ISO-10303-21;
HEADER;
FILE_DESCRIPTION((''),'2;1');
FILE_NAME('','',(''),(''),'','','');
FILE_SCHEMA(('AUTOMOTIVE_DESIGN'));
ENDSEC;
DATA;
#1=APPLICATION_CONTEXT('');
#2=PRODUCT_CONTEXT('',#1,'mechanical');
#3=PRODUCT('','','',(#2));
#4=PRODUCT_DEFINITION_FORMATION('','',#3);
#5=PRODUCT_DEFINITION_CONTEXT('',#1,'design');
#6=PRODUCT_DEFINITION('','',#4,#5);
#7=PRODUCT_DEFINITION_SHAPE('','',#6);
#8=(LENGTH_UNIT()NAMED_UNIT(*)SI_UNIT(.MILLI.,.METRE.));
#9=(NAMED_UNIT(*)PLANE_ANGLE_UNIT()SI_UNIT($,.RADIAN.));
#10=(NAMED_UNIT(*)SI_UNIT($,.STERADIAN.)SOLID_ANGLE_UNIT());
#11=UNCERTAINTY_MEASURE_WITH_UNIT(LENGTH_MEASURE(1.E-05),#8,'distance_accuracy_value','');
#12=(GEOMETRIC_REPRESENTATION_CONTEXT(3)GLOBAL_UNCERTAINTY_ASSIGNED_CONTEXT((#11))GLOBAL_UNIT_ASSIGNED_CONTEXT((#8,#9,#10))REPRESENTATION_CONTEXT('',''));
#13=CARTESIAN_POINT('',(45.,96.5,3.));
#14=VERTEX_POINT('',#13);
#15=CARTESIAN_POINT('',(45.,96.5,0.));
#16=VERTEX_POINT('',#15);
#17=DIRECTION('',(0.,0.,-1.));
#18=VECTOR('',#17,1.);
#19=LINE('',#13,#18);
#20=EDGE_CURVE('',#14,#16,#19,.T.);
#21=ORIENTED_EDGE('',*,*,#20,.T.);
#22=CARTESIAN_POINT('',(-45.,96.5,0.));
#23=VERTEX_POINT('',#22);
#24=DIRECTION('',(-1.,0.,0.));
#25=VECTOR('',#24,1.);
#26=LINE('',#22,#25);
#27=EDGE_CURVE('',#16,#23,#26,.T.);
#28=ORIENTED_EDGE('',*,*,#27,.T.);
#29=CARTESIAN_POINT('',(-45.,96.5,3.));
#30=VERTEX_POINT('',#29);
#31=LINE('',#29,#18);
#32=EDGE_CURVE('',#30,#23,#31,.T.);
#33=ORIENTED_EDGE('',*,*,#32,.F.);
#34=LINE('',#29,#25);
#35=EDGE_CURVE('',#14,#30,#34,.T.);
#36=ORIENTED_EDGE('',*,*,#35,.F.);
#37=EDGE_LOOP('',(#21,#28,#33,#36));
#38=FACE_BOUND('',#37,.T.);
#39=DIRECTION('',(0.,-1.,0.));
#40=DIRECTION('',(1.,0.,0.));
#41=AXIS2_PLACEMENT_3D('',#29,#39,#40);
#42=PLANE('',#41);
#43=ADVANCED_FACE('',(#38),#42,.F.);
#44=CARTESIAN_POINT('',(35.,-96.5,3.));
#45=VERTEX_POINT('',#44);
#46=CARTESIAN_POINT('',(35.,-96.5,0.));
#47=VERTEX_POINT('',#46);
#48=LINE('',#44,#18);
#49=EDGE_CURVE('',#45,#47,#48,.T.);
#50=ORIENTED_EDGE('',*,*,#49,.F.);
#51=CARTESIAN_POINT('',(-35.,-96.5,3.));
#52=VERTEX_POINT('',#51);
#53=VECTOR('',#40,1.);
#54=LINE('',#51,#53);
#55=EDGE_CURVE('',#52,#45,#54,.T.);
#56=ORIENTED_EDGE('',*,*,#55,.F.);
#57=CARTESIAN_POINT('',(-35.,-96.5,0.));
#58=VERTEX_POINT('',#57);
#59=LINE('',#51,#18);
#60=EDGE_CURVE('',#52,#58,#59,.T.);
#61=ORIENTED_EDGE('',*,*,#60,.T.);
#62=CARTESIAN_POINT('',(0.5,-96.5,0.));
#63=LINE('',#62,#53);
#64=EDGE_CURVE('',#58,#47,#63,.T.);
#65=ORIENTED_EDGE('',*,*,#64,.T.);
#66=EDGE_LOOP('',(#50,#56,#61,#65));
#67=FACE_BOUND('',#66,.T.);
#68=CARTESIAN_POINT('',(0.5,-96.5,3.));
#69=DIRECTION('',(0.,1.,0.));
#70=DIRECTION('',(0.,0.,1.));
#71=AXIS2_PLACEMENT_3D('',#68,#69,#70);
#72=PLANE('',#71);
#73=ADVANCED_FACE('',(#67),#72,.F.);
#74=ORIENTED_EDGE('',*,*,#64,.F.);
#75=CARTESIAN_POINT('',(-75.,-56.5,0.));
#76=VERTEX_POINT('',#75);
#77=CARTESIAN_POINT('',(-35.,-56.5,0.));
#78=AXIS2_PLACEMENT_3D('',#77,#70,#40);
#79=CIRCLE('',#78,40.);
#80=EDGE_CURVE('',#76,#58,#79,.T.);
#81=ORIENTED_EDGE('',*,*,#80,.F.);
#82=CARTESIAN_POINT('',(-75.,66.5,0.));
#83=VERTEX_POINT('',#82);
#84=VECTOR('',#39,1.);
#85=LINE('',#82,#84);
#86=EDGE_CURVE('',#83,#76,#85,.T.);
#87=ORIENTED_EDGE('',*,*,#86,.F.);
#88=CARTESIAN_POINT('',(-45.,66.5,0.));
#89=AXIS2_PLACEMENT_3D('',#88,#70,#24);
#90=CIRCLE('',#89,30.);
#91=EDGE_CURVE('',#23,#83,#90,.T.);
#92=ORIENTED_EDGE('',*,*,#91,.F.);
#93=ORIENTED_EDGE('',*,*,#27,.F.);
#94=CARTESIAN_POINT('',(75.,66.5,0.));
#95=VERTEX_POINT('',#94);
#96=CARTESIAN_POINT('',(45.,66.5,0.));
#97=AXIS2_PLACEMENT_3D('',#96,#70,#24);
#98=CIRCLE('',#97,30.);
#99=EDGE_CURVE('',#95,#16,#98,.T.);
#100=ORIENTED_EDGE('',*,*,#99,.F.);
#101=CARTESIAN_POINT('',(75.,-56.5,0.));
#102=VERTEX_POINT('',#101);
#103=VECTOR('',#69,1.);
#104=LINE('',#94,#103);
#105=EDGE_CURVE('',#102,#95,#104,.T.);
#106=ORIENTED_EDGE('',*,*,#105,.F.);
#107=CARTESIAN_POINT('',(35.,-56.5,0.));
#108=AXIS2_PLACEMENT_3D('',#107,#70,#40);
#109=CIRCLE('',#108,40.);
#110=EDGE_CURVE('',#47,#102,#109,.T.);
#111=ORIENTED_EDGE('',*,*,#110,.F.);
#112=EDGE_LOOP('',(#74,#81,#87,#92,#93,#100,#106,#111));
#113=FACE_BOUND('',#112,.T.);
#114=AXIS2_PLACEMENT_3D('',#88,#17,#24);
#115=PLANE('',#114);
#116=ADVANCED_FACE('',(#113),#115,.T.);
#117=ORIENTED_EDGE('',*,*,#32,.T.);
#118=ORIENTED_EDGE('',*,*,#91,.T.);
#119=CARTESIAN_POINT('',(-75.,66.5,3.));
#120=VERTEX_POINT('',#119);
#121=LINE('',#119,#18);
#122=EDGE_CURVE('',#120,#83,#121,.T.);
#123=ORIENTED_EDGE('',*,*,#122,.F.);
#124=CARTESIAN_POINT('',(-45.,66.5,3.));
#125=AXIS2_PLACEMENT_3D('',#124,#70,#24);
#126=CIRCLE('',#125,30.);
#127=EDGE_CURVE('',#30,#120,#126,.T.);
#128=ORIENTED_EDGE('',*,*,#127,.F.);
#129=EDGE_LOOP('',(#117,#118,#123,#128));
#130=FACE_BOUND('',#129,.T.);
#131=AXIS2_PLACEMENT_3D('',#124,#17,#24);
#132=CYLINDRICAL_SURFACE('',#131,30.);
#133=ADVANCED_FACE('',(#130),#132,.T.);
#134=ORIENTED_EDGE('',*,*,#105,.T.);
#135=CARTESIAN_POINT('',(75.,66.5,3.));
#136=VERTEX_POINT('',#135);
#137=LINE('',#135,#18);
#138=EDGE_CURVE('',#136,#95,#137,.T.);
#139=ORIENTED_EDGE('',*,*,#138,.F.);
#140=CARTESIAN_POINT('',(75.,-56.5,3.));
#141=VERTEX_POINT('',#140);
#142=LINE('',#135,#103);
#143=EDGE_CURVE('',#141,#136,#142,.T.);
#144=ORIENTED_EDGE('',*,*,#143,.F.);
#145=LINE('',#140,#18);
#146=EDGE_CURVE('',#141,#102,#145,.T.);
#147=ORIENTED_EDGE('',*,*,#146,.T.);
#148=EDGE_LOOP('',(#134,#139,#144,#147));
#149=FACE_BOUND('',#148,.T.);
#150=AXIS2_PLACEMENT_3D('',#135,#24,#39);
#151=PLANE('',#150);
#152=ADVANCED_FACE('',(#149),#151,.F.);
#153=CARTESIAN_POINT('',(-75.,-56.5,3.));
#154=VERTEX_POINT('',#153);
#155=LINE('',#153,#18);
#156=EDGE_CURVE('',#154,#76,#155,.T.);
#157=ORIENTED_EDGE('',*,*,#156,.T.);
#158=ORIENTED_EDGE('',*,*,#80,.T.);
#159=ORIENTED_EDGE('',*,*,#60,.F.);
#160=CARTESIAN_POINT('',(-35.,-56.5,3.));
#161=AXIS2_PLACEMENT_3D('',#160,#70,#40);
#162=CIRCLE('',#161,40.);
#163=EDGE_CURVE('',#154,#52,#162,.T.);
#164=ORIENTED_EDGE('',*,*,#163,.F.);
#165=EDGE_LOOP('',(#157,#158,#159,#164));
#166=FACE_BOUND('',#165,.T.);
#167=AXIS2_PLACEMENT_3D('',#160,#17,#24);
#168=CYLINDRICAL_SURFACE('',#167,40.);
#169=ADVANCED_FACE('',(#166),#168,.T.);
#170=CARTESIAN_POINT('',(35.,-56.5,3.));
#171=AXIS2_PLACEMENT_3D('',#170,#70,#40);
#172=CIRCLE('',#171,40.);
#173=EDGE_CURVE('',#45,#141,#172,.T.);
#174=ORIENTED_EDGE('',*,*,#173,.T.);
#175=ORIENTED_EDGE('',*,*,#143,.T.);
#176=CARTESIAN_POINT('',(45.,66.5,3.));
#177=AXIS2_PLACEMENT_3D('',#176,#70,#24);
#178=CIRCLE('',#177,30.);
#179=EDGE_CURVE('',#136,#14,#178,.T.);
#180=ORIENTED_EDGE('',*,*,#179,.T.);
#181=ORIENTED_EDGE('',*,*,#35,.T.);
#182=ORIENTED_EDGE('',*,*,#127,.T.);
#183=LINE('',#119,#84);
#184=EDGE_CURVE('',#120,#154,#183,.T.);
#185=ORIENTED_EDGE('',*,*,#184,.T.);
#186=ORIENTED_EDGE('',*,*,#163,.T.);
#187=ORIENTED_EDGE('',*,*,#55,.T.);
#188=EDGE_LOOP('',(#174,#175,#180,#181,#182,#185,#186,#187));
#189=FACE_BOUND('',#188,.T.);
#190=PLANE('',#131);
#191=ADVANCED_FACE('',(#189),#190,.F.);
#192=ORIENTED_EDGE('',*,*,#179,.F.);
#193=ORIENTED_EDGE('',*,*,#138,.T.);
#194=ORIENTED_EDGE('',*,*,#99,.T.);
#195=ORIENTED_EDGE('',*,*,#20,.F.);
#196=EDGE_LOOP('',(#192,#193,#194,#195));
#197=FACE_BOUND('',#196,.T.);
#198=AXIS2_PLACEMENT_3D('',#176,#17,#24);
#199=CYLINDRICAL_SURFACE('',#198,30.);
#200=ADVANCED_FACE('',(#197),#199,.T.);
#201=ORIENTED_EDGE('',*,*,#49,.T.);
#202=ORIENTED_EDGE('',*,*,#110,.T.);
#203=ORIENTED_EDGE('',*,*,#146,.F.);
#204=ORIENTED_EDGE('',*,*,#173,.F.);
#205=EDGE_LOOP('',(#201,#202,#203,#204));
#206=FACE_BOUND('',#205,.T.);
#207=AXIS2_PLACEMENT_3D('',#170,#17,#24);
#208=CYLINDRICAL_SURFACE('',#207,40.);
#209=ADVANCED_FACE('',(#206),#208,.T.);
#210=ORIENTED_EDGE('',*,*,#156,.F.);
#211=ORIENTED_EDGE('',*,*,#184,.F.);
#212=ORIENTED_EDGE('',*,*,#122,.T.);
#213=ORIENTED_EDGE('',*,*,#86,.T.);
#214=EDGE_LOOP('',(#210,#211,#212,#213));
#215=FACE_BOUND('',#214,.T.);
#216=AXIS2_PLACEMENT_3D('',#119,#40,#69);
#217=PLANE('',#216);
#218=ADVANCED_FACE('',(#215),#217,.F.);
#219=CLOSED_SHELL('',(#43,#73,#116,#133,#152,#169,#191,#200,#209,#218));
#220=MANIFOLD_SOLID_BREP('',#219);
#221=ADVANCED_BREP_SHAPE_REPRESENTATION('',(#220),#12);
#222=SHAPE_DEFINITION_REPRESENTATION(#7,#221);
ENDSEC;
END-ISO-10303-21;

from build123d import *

# Parameters (mm, degrees)
BOSS_EXTRUDE1_DEPTH = 3


with BuildPart() as part:
    # Sketch1 → Boss-Extrude1 (new body)
    with BuildSketch(Plane.XY):
        with BuildLine():
            Line((-45, 96.5), (45, 96.5))
            ThreePointArc((45, 96.5), (66.213203436, 87.713203436), (75, 66.5))
            Line((75, 66.5), (75, -56.5))
            ThreePointArc((75, -56.5), (63.284271247, -84.784271247), (35, -96.5))
            Line((35, -96.5), (0.5, -96.5))
            Line((0.5, -96.5), (-0.5, -96.5))
            Line((-0.5, -96.5), (-35, -96.5))
            ThreePointArc((-35, -96.5), (-63.284271247, -84.784271247), (-75, -56.5))
            Line((-75, -56.5), (-75, 66.5))
            ThreePointArc((-75, 66.5), (-66.213203436, 87.713203436), (-45, 96.5))
        make_face()
    extrude(amount=BOSS_EXTRUDE1_DEPTH)


solid = part.part
